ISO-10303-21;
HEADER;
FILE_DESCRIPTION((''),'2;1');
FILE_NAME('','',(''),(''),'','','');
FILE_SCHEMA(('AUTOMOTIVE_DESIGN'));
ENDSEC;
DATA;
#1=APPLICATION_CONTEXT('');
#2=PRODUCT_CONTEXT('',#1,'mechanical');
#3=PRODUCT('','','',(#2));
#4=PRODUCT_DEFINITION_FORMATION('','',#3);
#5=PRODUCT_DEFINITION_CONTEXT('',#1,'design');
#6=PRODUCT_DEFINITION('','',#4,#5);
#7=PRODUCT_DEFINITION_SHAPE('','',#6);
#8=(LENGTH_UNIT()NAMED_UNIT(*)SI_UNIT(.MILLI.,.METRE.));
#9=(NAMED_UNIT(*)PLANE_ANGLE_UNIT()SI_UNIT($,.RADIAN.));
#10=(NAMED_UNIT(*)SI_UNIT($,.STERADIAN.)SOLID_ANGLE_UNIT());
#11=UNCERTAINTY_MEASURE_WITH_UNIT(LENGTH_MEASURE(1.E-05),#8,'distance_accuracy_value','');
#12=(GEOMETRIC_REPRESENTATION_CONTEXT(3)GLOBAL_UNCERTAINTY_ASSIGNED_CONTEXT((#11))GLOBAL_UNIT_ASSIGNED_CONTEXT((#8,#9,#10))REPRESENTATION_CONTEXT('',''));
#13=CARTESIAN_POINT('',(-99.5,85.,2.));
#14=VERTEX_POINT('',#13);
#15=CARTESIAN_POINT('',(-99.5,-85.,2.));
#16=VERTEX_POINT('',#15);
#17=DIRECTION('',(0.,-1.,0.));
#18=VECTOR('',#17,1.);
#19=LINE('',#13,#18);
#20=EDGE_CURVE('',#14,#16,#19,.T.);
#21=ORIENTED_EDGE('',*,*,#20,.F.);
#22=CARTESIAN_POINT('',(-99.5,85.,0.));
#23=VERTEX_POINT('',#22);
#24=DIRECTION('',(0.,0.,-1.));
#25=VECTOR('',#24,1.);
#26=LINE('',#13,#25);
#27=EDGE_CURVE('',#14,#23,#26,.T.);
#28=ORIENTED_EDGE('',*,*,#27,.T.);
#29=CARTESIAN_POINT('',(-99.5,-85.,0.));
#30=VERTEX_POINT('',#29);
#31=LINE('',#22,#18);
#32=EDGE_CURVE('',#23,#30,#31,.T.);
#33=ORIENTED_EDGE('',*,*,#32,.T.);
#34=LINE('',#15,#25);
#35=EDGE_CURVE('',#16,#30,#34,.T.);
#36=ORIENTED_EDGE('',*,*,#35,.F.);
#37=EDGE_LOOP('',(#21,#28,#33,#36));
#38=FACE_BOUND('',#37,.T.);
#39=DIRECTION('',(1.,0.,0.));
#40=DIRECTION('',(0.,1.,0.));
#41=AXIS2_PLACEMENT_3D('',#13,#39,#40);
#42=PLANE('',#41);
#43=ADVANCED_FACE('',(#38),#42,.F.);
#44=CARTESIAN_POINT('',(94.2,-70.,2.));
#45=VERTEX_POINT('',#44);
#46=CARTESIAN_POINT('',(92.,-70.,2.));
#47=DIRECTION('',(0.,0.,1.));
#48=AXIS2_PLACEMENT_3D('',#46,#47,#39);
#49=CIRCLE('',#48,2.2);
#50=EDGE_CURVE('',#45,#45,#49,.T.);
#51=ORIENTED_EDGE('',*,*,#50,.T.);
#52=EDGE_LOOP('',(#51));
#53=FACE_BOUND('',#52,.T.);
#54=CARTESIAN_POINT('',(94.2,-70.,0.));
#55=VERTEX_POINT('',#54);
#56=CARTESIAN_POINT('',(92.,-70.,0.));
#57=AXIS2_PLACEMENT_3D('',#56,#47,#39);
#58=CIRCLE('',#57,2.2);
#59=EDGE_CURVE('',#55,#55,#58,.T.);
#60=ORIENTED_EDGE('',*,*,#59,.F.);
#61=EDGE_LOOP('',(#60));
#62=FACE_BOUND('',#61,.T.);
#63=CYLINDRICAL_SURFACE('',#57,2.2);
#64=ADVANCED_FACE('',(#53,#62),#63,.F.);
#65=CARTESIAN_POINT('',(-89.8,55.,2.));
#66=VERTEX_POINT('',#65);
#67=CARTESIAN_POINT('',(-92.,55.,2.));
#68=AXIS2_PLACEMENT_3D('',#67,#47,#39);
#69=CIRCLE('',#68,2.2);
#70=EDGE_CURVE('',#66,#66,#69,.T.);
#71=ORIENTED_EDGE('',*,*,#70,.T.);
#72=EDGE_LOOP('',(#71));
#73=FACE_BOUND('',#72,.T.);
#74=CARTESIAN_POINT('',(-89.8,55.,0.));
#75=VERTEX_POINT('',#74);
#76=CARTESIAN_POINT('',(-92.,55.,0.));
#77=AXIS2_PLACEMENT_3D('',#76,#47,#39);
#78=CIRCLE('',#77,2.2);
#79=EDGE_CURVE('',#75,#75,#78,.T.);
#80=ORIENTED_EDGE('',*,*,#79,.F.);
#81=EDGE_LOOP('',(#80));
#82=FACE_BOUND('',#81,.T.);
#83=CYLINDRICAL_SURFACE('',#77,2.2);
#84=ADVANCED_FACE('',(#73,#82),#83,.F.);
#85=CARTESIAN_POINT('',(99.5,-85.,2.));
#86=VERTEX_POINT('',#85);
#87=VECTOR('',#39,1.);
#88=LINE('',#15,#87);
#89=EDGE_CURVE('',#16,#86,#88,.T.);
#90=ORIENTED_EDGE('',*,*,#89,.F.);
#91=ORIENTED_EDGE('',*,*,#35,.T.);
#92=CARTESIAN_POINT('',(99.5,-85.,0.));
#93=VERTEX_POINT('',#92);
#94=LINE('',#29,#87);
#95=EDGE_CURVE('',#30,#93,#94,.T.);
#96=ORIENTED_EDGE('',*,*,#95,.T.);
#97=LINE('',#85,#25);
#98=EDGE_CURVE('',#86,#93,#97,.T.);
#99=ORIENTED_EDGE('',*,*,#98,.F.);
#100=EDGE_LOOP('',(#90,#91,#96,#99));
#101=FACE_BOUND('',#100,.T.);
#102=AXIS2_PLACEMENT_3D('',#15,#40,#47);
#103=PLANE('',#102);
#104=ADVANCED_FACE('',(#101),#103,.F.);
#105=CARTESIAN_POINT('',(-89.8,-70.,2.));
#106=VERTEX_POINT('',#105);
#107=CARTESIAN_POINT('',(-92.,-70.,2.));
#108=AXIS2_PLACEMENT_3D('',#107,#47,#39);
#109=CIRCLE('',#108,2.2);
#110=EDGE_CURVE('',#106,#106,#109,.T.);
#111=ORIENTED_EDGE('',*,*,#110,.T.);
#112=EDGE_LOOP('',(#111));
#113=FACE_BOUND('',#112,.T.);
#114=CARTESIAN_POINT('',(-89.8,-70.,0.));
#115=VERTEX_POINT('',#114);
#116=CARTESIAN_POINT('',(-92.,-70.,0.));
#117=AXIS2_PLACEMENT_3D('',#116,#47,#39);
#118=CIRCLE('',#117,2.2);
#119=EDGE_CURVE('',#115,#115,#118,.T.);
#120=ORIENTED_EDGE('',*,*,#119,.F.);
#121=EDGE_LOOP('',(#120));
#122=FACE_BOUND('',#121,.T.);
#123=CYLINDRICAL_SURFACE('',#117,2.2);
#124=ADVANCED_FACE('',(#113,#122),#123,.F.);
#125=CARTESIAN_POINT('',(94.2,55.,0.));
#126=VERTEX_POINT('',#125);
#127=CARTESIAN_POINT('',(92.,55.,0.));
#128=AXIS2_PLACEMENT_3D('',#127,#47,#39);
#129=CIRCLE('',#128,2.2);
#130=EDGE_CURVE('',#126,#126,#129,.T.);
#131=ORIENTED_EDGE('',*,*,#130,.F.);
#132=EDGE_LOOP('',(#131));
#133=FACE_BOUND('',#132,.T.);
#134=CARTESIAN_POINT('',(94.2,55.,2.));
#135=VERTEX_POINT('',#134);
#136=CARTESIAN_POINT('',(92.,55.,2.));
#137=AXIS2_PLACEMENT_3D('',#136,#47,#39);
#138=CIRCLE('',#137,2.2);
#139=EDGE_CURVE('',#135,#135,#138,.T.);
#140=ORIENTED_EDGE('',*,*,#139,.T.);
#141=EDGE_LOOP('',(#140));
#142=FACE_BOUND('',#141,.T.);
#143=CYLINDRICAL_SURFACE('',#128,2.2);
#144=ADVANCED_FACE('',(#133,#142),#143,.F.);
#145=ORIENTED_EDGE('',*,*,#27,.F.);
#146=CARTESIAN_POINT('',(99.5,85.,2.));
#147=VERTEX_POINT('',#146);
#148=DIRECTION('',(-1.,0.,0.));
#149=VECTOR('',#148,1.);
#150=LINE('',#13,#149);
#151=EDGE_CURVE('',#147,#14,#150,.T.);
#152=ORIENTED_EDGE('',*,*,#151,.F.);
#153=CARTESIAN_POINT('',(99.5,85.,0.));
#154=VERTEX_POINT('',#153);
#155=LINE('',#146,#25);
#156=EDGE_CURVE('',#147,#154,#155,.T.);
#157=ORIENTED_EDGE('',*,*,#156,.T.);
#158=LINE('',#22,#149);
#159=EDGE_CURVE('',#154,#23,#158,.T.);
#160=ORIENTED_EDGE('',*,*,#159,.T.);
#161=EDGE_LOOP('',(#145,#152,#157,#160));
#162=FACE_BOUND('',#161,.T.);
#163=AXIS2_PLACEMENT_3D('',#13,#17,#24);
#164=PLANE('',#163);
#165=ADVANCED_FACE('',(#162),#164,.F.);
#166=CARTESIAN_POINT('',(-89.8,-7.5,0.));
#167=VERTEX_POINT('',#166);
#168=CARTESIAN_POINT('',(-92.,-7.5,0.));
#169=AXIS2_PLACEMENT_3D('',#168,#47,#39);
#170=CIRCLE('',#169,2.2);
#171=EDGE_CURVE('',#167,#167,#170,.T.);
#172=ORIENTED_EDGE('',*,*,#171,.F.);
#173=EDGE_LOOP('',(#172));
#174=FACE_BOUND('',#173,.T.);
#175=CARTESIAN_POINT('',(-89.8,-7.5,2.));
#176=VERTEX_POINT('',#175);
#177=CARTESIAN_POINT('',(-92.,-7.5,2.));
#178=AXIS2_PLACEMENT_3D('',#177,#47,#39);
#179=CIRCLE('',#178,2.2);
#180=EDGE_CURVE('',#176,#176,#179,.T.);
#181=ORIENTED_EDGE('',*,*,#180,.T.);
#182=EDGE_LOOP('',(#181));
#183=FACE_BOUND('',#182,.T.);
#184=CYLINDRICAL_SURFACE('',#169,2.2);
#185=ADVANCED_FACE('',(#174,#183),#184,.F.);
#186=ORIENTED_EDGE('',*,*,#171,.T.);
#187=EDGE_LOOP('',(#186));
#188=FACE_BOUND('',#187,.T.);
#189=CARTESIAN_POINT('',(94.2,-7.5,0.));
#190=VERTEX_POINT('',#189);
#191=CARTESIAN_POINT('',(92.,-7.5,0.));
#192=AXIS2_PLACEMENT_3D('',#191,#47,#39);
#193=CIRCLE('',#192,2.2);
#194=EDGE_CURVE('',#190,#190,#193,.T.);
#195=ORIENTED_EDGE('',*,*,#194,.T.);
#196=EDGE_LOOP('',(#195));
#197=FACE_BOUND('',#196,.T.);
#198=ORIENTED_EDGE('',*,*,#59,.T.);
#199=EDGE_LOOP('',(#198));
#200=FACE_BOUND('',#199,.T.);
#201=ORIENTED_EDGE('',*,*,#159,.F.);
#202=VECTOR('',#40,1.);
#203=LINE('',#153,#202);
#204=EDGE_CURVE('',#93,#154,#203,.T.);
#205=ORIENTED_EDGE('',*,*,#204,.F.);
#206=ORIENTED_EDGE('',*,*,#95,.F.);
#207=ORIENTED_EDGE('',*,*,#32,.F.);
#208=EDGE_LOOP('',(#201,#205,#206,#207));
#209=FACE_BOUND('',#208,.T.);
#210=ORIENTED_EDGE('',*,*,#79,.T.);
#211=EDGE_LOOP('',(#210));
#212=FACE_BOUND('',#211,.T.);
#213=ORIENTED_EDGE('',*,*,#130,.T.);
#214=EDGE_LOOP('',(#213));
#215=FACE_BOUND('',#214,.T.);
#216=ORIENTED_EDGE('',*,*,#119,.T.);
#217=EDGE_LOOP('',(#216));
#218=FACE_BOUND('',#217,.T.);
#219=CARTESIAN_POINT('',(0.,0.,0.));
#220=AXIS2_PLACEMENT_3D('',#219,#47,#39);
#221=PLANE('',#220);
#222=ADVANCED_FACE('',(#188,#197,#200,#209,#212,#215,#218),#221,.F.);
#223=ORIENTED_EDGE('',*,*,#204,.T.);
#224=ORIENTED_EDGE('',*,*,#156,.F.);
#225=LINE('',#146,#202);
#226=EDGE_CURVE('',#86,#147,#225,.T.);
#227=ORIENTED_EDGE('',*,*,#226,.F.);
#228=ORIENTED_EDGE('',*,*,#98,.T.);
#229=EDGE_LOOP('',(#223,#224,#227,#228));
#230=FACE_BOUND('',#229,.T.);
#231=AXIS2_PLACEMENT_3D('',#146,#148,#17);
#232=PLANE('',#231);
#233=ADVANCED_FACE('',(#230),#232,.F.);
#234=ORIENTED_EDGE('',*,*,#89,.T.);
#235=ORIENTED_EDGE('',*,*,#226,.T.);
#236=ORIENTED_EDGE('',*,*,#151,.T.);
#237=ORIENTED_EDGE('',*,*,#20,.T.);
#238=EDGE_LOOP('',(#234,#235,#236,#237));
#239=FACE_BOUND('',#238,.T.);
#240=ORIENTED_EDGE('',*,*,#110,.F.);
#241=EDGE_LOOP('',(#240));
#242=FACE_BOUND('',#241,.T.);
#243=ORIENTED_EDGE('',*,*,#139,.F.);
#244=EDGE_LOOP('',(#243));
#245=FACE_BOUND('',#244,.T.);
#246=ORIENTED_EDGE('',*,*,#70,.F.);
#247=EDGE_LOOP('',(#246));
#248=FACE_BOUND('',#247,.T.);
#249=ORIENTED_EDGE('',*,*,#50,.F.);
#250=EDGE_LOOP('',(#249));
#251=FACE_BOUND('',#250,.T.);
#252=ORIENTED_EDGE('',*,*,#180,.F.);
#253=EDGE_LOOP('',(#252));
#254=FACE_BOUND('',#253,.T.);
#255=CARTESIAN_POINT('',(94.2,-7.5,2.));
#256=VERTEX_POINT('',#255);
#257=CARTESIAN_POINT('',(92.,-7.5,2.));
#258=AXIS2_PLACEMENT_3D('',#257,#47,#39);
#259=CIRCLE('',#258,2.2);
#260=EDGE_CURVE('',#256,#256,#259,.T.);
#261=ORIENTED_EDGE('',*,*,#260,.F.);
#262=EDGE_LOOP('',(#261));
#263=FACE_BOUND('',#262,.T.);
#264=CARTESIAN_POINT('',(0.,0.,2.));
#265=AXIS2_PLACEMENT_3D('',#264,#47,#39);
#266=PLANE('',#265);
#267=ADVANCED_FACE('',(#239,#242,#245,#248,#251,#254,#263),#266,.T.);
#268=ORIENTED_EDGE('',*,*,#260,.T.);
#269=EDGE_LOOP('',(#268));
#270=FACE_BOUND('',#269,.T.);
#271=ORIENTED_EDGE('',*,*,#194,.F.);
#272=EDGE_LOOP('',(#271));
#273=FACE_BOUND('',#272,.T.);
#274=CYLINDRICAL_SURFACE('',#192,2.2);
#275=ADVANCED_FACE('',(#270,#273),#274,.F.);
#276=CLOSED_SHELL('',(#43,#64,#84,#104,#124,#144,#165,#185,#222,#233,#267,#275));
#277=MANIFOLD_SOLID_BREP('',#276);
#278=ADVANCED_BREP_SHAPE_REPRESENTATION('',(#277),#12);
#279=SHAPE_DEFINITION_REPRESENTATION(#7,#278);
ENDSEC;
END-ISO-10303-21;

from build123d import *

# Parameters (mm, degrees)
SKETCH_1_W          = 199
SKETCH_1_H          = 170
EXTRUDE_1_DEPTH     = 2
SKETCH_2_R          = 2.2
CUT_EXTRUDE_1_DEPTH = 2


with BuildPart() as part:
    # ｽｹｯﾁ1 → ﾎﾞｽ - 押し出し1 (new body)
    with BuildSketch(Plane.XY):
        Rectangle(SKETCH_1_W, SKETCH_1_H)
    extrude(amount=EXTRUDE_1_DEPTH)

    # ｽｹｯﾁ2 → ｶｯﾄ - 押し出し1 (cut)
    with BuildSketch(Plane.XY.offset(2)):
        with Locations((-92, -70)):
            Circle(SKETCH_2_R)
        with Locations((-92, -7.5)):
            Circle(SKETCH_2_R)
        with Locations((-92, 55)):
            Circle(SKETCH_2_R)
        with Locations((92, -70)):
            Circle(SKETCH_2_R)
        with Locations((92, -7.5)):
            Circle(SKETCH_2_R)
        with Locations((92, 55)):
            Circle(SKETCH_2_R)
    extrude(amount=-CUT_EXTRUDE_1_DEPTH, mode=Mode.SUBTRACT)


solid = part.part
